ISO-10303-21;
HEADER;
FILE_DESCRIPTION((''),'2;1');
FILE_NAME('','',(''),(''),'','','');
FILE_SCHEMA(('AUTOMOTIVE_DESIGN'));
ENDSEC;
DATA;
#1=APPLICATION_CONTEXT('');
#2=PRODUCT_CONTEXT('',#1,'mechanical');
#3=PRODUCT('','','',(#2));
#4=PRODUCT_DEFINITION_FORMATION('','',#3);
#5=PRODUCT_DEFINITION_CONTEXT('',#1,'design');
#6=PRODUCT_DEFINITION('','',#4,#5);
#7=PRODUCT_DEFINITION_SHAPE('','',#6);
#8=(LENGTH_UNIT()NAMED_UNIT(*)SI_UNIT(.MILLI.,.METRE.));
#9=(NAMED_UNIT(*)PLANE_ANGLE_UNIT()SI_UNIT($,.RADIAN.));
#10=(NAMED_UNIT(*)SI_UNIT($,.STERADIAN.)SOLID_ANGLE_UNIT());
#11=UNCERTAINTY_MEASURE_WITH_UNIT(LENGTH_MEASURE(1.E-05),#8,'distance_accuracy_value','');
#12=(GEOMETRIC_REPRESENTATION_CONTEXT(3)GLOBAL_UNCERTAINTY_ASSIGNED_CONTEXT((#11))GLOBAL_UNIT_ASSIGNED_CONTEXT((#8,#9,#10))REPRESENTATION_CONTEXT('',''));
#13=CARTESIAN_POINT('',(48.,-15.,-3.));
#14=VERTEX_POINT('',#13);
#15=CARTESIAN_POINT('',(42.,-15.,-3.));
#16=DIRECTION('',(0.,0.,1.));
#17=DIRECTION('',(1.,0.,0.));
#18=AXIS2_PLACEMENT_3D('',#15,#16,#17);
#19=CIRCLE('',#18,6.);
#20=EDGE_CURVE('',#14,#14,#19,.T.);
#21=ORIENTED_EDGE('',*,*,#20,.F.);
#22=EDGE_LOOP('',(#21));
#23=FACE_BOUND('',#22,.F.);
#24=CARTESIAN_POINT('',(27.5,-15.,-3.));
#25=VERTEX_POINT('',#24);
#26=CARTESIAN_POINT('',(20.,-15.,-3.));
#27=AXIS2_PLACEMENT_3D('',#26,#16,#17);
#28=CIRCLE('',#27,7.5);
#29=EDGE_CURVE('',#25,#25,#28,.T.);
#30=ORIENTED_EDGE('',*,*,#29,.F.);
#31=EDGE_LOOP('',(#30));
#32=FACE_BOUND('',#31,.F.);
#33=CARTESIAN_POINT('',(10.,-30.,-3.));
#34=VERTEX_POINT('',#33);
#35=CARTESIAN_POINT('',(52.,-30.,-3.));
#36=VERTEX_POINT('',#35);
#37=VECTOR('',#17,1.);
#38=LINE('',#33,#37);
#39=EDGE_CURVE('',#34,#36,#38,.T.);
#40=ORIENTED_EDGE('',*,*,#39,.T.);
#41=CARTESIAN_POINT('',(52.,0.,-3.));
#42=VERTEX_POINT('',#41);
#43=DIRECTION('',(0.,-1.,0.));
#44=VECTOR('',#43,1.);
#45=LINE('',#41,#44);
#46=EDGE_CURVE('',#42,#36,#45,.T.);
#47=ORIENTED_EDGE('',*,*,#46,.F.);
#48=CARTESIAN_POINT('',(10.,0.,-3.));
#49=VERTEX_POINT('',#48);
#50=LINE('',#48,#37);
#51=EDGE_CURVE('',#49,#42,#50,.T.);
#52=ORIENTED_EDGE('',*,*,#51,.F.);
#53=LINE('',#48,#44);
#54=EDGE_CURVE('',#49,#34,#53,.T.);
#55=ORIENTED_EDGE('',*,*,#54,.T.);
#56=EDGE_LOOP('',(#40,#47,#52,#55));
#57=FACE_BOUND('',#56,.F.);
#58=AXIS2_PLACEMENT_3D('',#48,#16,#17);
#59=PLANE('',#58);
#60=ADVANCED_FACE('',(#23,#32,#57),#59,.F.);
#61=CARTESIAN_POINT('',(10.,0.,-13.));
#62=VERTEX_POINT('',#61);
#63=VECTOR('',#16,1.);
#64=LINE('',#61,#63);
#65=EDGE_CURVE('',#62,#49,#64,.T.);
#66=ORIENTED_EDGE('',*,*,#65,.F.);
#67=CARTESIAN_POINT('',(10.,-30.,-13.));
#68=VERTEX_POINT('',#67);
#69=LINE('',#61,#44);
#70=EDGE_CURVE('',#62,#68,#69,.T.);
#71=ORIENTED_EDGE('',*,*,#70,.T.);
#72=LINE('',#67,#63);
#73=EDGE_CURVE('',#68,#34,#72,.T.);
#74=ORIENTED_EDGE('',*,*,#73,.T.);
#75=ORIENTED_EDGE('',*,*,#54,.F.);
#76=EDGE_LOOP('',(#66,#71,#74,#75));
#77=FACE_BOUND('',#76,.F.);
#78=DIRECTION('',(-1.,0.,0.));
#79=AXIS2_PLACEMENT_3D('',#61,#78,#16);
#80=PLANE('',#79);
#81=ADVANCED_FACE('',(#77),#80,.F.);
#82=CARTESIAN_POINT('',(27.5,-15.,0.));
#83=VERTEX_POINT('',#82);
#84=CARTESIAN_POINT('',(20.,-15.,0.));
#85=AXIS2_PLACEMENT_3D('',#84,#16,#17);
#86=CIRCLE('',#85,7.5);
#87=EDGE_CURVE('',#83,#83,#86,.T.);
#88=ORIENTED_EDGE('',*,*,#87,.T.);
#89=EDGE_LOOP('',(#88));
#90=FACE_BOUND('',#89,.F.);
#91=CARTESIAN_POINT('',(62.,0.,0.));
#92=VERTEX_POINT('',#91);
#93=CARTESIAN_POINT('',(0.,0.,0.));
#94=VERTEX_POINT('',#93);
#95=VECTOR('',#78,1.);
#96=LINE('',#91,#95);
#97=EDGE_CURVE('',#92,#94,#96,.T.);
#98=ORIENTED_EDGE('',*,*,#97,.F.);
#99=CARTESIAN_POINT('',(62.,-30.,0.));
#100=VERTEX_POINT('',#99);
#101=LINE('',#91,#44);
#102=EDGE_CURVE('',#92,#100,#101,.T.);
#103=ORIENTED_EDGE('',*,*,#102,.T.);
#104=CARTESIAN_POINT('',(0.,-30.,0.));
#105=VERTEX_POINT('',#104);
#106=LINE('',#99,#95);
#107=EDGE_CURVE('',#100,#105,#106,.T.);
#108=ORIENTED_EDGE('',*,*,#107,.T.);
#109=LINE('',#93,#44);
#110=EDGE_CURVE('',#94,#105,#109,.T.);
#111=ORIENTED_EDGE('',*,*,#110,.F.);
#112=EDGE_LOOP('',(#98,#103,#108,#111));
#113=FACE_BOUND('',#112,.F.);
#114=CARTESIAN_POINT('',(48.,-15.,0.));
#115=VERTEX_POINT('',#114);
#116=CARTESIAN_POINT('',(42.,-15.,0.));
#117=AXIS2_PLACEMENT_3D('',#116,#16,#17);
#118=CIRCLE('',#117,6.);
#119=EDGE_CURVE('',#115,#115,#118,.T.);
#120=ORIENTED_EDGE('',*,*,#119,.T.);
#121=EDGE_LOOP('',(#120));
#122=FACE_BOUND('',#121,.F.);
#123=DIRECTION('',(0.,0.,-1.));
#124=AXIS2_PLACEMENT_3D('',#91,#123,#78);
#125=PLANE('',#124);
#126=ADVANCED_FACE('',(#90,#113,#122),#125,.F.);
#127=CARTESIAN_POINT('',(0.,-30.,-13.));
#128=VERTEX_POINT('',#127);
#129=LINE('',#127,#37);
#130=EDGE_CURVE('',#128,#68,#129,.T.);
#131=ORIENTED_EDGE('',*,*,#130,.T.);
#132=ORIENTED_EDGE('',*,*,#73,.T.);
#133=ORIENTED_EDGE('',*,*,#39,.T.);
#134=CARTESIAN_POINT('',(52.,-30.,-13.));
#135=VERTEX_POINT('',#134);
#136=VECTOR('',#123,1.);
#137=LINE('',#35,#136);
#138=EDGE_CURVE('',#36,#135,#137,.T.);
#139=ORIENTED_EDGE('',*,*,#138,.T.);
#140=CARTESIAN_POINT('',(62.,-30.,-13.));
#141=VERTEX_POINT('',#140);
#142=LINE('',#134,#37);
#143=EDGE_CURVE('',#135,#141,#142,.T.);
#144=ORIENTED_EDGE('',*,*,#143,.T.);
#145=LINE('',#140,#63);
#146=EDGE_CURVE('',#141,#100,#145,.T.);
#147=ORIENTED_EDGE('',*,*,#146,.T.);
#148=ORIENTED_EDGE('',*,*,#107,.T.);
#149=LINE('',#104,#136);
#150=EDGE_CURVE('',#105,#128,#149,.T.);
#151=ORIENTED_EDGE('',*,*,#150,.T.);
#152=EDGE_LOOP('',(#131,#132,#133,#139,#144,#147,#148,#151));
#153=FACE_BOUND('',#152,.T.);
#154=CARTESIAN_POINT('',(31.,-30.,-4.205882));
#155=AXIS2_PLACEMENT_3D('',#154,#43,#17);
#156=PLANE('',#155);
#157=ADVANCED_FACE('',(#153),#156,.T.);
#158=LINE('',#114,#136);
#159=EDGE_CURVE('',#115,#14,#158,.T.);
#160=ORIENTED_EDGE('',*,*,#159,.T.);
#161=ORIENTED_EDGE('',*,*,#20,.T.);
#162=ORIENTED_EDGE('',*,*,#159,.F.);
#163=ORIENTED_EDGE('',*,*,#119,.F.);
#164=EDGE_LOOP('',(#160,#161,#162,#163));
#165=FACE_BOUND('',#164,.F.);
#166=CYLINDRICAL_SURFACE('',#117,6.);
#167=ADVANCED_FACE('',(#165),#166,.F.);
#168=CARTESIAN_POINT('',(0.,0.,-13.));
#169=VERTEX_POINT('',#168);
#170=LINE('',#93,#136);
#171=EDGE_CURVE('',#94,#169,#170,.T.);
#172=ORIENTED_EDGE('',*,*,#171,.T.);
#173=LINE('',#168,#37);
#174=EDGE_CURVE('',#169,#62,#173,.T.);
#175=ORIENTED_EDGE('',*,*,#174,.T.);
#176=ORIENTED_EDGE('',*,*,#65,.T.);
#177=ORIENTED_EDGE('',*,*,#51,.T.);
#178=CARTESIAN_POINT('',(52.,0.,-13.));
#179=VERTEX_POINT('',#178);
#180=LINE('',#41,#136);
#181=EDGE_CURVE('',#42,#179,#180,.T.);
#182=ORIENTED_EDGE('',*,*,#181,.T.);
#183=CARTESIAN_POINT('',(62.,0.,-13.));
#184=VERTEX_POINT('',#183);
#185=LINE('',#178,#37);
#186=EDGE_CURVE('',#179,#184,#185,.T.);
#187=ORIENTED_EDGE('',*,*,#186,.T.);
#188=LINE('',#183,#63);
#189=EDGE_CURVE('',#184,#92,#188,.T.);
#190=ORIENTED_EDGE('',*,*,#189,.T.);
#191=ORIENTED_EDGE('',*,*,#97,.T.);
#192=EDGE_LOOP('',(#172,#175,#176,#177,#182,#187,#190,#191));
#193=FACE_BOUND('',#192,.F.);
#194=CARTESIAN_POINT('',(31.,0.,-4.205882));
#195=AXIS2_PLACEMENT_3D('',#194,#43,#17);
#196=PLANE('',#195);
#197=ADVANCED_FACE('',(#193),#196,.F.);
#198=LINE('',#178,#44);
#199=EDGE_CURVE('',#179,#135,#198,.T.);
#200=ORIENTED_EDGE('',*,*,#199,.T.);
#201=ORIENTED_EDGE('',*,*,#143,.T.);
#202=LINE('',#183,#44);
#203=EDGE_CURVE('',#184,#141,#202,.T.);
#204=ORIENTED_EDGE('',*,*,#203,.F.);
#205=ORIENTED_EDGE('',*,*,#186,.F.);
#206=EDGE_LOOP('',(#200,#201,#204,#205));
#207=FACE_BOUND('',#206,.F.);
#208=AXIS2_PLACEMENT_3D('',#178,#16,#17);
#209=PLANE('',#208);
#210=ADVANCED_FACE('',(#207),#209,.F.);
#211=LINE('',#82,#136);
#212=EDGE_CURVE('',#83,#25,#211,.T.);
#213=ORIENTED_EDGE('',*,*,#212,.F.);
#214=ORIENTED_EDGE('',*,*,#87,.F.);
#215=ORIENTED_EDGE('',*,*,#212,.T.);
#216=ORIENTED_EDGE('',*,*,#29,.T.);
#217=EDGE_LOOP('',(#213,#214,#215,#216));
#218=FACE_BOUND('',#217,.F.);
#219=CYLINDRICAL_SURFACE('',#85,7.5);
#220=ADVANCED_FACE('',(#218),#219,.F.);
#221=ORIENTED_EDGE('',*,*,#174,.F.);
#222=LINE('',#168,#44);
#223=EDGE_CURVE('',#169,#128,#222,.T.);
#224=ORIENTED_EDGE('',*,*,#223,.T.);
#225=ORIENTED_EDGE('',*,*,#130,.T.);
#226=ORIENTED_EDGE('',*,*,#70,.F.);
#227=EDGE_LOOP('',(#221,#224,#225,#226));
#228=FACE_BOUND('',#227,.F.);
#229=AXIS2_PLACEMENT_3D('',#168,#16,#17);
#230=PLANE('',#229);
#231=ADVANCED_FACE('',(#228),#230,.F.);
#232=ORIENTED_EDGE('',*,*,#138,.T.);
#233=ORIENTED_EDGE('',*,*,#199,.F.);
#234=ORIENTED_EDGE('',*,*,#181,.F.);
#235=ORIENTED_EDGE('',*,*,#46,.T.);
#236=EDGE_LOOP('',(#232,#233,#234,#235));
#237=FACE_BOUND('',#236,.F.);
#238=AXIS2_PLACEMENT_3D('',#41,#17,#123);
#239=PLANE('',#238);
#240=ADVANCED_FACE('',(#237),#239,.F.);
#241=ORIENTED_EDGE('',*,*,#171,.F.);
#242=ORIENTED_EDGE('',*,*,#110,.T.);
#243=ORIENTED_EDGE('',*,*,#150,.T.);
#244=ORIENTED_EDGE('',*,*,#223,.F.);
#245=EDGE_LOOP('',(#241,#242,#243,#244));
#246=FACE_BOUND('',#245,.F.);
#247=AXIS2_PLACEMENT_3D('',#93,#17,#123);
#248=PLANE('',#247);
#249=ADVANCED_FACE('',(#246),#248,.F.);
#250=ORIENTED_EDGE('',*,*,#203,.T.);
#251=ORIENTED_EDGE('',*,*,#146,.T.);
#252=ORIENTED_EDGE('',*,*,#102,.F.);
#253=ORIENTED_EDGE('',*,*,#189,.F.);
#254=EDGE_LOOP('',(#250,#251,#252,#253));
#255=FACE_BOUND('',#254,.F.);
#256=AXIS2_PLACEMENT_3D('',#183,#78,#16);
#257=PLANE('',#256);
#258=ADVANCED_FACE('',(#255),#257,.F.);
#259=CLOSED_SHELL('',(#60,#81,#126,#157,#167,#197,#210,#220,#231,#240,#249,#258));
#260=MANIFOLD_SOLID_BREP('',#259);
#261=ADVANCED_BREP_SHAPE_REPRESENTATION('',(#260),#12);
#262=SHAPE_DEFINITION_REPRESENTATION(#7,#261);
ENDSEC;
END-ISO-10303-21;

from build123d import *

# Parameters (mm, degrees)
F1_DEPTH = 30
F2_R     = 7.5
F2_R_2   = 6
F3_DEPTH = 13.001


with BuildPart() as f1:
    # F0 (on Front) → F1 (new body)
    with BuildSketch(Plane.XZ):
        Polygon((62, 0), (0, 0), (0, -13), (10, -13), (10, -3), (52, -3), (52, -13), (62, -13), align=None)
    extrude(amount=F1_DEPTH)

    # F2 (on face) → F3 (cut, through all)
    with BuildSketch(Plane.XY):
        with Locations((20, -15)):
            Circle(F2_R)
        with Locations((42, -15)):
            Circle(F2_R_2)
    extrude(amount=-F3_DEPTH, mode=Mode.SUBTRACT)


solid = f1.part
